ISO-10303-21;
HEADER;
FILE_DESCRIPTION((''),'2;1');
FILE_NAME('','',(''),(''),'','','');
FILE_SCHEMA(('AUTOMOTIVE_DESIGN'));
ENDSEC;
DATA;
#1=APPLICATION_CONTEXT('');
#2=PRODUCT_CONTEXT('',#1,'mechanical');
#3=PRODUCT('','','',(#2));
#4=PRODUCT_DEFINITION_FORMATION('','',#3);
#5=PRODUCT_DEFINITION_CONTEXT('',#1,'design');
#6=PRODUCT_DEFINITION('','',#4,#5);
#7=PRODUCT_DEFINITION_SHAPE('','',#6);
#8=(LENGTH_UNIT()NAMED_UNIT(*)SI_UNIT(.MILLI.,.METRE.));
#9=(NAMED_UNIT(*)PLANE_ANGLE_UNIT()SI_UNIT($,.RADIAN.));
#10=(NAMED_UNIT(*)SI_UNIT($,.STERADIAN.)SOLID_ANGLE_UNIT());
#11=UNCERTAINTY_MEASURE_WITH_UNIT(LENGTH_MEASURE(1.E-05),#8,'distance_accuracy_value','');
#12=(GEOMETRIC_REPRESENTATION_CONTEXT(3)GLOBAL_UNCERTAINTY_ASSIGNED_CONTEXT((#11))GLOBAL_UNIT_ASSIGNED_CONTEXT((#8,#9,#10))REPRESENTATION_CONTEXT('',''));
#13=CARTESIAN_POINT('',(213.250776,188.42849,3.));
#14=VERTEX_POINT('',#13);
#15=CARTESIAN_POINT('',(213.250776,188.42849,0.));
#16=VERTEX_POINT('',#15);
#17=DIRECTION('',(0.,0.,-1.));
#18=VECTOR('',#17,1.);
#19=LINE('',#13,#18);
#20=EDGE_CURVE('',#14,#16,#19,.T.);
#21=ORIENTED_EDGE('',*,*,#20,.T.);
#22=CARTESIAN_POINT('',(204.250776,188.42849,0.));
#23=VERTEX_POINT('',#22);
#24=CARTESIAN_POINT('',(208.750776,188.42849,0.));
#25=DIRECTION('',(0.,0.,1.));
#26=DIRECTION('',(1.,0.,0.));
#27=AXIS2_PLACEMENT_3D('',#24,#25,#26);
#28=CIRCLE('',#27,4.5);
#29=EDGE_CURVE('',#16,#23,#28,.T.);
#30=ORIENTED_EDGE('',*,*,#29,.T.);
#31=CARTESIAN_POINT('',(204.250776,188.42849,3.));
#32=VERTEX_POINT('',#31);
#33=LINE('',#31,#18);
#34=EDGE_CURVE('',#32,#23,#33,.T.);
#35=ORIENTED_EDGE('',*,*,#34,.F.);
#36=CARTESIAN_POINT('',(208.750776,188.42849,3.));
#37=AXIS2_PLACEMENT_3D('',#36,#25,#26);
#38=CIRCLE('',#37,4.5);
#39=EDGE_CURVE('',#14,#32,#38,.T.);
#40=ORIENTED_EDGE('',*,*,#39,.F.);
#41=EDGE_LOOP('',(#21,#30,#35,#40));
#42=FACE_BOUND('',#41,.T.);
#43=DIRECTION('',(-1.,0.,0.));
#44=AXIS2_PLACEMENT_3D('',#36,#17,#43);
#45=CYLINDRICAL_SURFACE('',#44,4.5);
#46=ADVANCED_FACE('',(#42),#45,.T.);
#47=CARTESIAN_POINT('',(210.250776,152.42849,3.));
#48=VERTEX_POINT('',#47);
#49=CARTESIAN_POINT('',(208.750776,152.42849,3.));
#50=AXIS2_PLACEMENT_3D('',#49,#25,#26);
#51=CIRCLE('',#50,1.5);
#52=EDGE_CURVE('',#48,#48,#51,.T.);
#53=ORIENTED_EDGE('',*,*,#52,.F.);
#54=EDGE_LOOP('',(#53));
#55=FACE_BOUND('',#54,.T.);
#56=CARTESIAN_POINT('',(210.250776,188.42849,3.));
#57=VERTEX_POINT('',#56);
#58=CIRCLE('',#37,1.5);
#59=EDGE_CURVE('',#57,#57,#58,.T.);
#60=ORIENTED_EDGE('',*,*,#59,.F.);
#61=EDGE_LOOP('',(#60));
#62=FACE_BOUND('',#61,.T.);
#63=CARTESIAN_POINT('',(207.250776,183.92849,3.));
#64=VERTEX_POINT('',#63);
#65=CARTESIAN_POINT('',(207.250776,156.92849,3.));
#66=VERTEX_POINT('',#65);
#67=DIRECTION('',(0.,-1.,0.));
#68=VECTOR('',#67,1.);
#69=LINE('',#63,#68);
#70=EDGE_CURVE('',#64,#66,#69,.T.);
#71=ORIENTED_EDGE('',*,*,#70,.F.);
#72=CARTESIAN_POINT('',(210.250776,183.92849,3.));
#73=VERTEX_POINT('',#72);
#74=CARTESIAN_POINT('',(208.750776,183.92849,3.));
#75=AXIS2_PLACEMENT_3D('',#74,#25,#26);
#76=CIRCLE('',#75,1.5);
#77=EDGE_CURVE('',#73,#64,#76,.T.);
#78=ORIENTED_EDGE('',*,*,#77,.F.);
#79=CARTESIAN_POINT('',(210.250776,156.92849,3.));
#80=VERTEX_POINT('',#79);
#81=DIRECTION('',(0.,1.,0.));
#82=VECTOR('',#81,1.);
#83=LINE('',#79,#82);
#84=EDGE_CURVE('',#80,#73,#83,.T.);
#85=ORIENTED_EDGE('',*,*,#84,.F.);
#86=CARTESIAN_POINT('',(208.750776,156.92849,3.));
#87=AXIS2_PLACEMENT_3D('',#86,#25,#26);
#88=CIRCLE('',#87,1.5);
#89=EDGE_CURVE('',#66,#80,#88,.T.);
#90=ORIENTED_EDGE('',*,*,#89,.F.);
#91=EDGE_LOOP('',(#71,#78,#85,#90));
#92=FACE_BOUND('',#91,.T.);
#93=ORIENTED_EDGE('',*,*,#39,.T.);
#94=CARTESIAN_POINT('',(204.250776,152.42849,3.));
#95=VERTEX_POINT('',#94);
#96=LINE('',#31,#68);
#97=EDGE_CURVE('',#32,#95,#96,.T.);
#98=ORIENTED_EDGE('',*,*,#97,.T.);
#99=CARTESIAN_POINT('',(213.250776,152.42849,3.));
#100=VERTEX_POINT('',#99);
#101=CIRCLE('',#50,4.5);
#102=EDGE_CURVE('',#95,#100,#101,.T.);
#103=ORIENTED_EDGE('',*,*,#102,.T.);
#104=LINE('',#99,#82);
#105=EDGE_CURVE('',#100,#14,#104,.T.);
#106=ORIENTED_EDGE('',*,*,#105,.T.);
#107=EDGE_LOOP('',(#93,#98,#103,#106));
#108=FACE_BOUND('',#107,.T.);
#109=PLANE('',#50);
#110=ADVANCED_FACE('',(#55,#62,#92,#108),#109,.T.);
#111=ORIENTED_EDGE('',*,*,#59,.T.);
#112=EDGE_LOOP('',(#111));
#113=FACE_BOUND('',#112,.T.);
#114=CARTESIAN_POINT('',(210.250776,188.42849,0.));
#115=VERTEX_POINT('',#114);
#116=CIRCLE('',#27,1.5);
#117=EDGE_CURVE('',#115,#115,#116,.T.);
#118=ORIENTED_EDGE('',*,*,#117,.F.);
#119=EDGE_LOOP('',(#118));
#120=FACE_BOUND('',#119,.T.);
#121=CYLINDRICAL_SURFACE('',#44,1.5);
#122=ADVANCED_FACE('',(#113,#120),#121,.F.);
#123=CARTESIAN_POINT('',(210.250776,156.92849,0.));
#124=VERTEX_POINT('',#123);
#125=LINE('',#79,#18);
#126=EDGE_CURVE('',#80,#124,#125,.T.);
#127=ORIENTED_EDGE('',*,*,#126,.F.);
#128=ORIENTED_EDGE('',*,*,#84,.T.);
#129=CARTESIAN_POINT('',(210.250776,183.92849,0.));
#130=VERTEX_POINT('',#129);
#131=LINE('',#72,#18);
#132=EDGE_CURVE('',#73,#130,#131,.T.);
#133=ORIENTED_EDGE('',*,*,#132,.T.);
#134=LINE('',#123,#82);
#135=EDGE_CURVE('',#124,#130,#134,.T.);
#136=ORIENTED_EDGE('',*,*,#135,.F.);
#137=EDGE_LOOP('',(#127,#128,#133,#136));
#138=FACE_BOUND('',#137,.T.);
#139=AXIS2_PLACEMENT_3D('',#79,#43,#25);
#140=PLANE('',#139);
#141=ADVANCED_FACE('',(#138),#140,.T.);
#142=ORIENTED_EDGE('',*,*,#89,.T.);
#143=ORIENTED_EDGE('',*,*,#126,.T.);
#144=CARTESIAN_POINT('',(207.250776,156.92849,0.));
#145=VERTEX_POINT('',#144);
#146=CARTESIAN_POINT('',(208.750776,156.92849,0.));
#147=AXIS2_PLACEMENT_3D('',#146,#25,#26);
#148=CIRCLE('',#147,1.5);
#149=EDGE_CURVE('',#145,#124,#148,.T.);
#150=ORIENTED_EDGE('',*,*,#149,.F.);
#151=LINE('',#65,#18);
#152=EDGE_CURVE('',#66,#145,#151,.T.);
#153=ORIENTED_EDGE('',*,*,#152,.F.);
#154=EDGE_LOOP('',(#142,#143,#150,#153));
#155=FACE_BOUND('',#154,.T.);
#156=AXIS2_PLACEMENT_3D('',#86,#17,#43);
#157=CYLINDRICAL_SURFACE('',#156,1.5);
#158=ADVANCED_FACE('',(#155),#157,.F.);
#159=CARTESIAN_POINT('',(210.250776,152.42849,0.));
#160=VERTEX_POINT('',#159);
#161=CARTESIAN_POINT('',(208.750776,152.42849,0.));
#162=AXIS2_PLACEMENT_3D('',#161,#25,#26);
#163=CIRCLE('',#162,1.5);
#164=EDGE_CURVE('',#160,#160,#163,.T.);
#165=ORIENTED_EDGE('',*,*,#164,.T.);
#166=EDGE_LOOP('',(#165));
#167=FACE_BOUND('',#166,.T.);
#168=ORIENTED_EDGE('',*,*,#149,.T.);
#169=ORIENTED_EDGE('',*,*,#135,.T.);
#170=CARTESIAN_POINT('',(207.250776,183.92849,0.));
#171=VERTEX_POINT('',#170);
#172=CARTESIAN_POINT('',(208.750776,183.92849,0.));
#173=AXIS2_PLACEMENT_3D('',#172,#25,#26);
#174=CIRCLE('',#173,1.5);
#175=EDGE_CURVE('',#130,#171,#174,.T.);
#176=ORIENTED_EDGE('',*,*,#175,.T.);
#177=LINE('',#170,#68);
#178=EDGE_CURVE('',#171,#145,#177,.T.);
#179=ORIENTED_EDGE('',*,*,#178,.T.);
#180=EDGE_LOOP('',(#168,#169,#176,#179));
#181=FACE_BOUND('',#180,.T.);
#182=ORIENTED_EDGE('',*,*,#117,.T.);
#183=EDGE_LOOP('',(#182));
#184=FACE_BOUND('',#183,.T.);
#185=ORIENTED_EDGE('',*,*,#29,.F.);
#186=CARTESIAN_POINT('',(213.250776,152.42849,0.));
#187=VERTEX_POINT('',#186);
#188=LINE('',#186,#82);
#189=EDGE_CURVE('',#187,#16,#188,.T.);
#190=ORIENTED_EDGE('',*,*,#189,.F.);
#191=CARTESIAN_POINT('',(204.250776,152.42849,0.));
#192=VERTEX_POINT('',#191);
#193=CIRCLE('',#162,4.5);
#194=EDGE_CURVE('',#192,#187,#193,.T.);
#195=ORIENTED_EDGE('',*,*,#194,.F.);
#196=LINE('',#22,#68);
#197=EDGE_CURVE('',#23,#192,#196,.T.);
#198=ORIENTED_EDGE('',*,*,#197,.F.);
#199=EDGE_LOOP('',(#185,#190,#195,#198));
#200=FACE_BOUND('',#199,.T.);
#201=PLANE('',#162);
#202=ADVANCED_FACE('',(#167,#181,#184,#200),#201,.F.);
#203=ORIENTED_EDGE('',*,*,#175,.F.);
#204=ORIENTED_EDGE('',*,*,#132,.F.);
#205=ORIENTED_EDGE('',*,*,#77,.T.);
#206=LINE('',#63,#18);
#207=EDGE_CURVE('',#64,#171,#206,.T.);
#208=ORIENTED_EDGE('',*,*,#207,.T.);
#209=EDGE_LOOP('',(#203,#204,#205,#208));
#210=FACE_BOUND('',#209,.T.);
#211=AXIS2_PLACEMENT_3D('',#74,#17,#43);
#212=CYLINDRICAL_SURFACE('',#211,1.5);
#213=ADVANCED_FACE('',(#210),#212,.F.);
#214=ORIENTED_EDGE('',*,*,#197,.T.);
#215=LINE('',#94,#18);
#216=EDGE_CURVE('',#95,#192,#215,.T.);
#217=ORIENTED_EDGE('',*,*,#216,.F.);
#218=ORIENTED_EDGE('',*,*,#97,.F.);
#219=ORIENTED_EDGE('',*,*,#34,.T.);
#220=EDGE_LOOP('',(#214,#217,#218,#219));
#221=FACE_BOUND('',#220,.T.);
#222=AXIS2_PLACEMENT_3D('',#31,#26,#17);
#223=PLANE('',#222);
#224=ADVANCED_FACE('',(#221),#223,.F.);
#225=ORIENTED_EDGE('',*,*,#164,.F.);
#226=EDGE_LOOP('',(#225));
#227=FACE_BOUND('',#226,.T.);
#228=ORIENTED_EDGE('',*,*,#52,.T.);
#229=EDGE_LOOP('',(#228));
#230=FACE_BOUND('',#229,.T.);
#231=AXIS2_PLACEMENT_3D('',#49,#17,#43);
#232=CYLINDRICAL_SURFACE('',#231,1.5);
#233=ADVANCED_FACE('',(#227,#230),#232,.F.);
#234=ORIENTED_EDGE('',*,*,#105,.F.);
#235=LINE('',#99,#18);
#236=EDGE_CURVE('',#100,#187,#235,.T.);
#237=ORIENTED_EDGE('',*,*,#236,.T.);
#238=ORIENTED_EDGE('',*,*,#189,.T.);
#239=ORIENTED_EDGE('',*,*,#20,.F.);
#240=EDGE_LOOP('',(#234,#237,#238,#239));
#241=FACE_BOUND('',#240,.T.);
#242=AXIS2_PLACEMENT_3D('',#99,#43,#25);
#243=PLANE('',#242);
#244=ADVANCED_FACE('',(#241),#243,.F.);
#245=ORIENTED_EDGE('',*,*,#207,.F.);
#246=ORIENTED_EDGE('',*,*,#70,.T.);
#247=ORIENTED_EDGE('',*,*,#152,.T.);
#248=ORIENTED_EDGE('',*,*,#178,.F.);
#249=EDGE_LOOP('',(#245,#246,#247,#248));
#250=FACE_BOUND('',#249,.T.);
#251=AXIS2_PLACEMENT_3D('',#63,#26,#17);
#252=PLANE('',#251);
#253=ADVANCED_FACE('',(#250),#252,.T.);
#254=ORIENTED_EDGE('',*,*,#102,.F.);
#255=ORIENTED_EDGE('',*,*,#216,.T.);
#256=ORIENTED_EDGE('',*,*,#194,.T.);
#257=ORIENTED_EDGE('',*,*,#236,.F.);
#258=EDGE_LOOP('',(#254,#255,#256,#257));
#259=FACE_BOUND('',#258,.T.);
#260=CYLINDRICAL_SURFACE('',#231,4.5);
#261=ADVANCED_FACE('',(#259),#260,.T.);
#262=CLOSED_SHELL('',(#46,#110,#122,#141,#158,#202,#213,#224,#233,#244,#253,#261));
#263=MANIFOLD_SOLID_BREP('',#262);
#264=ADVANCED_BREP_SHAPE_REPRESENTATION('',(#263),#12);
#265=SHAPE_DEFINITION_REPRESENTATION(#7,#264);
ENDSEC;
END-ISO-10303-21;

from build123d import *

# Parameters (mm, degrees)
MODEL_R                 = 1.5
SALIENTE_EXTRUIR1_DEPTH = 3


with BuildPart() as part:
    # Model → Saliente-Extruir1 (new body)
    with BuildSketch(Plane.XY):
        with BuildLine():
            Line((213.25077615, 152.428489513), (213.25077615, 188.428489513))
            ThreePointArc((213.25077615, 188.428489513), (208.75077615, 192.928489513), (204.25077615, 188.428489513))
            Line((204.25077615, 188.428489513), (204.25077615, 152.428489513))
            ThreePointArc((204.25077615, 152.428489513), (208.75077615, 147.928489513), (213.25077615, 152.428489513))
        make_face()
        with Locations((208.75077615, 188.428489513)):
            Circle(MODEL_R, mode=Mode.SUBTRACT)
        with Locations((208.75077615, 152.428489513)):
            Circle(MODEL_R, mode=Mode.SUBTRACT)
        with BuildLine():
            Line((207.25077615, 183.928489513), (207.25077615, 156.928489513))
            ThreePointArc((207.25077615, 156.928489513), (208.75077615, 155.428489513), (210.25077615, 156.928489513))
            Line((210.25077615, 156.928489513), (210.25077615, 183.928489513))
            ThreePointArc((210.25077615, 183.928489513), (208.75077615, 185.428489513), (207.25077615, 183.928489513))
        make_face(mode=Mode.SUBTRACT)
    extrude(amount=SALIENTE_EXTRUIR1_DEPTH)


solid = part.part
